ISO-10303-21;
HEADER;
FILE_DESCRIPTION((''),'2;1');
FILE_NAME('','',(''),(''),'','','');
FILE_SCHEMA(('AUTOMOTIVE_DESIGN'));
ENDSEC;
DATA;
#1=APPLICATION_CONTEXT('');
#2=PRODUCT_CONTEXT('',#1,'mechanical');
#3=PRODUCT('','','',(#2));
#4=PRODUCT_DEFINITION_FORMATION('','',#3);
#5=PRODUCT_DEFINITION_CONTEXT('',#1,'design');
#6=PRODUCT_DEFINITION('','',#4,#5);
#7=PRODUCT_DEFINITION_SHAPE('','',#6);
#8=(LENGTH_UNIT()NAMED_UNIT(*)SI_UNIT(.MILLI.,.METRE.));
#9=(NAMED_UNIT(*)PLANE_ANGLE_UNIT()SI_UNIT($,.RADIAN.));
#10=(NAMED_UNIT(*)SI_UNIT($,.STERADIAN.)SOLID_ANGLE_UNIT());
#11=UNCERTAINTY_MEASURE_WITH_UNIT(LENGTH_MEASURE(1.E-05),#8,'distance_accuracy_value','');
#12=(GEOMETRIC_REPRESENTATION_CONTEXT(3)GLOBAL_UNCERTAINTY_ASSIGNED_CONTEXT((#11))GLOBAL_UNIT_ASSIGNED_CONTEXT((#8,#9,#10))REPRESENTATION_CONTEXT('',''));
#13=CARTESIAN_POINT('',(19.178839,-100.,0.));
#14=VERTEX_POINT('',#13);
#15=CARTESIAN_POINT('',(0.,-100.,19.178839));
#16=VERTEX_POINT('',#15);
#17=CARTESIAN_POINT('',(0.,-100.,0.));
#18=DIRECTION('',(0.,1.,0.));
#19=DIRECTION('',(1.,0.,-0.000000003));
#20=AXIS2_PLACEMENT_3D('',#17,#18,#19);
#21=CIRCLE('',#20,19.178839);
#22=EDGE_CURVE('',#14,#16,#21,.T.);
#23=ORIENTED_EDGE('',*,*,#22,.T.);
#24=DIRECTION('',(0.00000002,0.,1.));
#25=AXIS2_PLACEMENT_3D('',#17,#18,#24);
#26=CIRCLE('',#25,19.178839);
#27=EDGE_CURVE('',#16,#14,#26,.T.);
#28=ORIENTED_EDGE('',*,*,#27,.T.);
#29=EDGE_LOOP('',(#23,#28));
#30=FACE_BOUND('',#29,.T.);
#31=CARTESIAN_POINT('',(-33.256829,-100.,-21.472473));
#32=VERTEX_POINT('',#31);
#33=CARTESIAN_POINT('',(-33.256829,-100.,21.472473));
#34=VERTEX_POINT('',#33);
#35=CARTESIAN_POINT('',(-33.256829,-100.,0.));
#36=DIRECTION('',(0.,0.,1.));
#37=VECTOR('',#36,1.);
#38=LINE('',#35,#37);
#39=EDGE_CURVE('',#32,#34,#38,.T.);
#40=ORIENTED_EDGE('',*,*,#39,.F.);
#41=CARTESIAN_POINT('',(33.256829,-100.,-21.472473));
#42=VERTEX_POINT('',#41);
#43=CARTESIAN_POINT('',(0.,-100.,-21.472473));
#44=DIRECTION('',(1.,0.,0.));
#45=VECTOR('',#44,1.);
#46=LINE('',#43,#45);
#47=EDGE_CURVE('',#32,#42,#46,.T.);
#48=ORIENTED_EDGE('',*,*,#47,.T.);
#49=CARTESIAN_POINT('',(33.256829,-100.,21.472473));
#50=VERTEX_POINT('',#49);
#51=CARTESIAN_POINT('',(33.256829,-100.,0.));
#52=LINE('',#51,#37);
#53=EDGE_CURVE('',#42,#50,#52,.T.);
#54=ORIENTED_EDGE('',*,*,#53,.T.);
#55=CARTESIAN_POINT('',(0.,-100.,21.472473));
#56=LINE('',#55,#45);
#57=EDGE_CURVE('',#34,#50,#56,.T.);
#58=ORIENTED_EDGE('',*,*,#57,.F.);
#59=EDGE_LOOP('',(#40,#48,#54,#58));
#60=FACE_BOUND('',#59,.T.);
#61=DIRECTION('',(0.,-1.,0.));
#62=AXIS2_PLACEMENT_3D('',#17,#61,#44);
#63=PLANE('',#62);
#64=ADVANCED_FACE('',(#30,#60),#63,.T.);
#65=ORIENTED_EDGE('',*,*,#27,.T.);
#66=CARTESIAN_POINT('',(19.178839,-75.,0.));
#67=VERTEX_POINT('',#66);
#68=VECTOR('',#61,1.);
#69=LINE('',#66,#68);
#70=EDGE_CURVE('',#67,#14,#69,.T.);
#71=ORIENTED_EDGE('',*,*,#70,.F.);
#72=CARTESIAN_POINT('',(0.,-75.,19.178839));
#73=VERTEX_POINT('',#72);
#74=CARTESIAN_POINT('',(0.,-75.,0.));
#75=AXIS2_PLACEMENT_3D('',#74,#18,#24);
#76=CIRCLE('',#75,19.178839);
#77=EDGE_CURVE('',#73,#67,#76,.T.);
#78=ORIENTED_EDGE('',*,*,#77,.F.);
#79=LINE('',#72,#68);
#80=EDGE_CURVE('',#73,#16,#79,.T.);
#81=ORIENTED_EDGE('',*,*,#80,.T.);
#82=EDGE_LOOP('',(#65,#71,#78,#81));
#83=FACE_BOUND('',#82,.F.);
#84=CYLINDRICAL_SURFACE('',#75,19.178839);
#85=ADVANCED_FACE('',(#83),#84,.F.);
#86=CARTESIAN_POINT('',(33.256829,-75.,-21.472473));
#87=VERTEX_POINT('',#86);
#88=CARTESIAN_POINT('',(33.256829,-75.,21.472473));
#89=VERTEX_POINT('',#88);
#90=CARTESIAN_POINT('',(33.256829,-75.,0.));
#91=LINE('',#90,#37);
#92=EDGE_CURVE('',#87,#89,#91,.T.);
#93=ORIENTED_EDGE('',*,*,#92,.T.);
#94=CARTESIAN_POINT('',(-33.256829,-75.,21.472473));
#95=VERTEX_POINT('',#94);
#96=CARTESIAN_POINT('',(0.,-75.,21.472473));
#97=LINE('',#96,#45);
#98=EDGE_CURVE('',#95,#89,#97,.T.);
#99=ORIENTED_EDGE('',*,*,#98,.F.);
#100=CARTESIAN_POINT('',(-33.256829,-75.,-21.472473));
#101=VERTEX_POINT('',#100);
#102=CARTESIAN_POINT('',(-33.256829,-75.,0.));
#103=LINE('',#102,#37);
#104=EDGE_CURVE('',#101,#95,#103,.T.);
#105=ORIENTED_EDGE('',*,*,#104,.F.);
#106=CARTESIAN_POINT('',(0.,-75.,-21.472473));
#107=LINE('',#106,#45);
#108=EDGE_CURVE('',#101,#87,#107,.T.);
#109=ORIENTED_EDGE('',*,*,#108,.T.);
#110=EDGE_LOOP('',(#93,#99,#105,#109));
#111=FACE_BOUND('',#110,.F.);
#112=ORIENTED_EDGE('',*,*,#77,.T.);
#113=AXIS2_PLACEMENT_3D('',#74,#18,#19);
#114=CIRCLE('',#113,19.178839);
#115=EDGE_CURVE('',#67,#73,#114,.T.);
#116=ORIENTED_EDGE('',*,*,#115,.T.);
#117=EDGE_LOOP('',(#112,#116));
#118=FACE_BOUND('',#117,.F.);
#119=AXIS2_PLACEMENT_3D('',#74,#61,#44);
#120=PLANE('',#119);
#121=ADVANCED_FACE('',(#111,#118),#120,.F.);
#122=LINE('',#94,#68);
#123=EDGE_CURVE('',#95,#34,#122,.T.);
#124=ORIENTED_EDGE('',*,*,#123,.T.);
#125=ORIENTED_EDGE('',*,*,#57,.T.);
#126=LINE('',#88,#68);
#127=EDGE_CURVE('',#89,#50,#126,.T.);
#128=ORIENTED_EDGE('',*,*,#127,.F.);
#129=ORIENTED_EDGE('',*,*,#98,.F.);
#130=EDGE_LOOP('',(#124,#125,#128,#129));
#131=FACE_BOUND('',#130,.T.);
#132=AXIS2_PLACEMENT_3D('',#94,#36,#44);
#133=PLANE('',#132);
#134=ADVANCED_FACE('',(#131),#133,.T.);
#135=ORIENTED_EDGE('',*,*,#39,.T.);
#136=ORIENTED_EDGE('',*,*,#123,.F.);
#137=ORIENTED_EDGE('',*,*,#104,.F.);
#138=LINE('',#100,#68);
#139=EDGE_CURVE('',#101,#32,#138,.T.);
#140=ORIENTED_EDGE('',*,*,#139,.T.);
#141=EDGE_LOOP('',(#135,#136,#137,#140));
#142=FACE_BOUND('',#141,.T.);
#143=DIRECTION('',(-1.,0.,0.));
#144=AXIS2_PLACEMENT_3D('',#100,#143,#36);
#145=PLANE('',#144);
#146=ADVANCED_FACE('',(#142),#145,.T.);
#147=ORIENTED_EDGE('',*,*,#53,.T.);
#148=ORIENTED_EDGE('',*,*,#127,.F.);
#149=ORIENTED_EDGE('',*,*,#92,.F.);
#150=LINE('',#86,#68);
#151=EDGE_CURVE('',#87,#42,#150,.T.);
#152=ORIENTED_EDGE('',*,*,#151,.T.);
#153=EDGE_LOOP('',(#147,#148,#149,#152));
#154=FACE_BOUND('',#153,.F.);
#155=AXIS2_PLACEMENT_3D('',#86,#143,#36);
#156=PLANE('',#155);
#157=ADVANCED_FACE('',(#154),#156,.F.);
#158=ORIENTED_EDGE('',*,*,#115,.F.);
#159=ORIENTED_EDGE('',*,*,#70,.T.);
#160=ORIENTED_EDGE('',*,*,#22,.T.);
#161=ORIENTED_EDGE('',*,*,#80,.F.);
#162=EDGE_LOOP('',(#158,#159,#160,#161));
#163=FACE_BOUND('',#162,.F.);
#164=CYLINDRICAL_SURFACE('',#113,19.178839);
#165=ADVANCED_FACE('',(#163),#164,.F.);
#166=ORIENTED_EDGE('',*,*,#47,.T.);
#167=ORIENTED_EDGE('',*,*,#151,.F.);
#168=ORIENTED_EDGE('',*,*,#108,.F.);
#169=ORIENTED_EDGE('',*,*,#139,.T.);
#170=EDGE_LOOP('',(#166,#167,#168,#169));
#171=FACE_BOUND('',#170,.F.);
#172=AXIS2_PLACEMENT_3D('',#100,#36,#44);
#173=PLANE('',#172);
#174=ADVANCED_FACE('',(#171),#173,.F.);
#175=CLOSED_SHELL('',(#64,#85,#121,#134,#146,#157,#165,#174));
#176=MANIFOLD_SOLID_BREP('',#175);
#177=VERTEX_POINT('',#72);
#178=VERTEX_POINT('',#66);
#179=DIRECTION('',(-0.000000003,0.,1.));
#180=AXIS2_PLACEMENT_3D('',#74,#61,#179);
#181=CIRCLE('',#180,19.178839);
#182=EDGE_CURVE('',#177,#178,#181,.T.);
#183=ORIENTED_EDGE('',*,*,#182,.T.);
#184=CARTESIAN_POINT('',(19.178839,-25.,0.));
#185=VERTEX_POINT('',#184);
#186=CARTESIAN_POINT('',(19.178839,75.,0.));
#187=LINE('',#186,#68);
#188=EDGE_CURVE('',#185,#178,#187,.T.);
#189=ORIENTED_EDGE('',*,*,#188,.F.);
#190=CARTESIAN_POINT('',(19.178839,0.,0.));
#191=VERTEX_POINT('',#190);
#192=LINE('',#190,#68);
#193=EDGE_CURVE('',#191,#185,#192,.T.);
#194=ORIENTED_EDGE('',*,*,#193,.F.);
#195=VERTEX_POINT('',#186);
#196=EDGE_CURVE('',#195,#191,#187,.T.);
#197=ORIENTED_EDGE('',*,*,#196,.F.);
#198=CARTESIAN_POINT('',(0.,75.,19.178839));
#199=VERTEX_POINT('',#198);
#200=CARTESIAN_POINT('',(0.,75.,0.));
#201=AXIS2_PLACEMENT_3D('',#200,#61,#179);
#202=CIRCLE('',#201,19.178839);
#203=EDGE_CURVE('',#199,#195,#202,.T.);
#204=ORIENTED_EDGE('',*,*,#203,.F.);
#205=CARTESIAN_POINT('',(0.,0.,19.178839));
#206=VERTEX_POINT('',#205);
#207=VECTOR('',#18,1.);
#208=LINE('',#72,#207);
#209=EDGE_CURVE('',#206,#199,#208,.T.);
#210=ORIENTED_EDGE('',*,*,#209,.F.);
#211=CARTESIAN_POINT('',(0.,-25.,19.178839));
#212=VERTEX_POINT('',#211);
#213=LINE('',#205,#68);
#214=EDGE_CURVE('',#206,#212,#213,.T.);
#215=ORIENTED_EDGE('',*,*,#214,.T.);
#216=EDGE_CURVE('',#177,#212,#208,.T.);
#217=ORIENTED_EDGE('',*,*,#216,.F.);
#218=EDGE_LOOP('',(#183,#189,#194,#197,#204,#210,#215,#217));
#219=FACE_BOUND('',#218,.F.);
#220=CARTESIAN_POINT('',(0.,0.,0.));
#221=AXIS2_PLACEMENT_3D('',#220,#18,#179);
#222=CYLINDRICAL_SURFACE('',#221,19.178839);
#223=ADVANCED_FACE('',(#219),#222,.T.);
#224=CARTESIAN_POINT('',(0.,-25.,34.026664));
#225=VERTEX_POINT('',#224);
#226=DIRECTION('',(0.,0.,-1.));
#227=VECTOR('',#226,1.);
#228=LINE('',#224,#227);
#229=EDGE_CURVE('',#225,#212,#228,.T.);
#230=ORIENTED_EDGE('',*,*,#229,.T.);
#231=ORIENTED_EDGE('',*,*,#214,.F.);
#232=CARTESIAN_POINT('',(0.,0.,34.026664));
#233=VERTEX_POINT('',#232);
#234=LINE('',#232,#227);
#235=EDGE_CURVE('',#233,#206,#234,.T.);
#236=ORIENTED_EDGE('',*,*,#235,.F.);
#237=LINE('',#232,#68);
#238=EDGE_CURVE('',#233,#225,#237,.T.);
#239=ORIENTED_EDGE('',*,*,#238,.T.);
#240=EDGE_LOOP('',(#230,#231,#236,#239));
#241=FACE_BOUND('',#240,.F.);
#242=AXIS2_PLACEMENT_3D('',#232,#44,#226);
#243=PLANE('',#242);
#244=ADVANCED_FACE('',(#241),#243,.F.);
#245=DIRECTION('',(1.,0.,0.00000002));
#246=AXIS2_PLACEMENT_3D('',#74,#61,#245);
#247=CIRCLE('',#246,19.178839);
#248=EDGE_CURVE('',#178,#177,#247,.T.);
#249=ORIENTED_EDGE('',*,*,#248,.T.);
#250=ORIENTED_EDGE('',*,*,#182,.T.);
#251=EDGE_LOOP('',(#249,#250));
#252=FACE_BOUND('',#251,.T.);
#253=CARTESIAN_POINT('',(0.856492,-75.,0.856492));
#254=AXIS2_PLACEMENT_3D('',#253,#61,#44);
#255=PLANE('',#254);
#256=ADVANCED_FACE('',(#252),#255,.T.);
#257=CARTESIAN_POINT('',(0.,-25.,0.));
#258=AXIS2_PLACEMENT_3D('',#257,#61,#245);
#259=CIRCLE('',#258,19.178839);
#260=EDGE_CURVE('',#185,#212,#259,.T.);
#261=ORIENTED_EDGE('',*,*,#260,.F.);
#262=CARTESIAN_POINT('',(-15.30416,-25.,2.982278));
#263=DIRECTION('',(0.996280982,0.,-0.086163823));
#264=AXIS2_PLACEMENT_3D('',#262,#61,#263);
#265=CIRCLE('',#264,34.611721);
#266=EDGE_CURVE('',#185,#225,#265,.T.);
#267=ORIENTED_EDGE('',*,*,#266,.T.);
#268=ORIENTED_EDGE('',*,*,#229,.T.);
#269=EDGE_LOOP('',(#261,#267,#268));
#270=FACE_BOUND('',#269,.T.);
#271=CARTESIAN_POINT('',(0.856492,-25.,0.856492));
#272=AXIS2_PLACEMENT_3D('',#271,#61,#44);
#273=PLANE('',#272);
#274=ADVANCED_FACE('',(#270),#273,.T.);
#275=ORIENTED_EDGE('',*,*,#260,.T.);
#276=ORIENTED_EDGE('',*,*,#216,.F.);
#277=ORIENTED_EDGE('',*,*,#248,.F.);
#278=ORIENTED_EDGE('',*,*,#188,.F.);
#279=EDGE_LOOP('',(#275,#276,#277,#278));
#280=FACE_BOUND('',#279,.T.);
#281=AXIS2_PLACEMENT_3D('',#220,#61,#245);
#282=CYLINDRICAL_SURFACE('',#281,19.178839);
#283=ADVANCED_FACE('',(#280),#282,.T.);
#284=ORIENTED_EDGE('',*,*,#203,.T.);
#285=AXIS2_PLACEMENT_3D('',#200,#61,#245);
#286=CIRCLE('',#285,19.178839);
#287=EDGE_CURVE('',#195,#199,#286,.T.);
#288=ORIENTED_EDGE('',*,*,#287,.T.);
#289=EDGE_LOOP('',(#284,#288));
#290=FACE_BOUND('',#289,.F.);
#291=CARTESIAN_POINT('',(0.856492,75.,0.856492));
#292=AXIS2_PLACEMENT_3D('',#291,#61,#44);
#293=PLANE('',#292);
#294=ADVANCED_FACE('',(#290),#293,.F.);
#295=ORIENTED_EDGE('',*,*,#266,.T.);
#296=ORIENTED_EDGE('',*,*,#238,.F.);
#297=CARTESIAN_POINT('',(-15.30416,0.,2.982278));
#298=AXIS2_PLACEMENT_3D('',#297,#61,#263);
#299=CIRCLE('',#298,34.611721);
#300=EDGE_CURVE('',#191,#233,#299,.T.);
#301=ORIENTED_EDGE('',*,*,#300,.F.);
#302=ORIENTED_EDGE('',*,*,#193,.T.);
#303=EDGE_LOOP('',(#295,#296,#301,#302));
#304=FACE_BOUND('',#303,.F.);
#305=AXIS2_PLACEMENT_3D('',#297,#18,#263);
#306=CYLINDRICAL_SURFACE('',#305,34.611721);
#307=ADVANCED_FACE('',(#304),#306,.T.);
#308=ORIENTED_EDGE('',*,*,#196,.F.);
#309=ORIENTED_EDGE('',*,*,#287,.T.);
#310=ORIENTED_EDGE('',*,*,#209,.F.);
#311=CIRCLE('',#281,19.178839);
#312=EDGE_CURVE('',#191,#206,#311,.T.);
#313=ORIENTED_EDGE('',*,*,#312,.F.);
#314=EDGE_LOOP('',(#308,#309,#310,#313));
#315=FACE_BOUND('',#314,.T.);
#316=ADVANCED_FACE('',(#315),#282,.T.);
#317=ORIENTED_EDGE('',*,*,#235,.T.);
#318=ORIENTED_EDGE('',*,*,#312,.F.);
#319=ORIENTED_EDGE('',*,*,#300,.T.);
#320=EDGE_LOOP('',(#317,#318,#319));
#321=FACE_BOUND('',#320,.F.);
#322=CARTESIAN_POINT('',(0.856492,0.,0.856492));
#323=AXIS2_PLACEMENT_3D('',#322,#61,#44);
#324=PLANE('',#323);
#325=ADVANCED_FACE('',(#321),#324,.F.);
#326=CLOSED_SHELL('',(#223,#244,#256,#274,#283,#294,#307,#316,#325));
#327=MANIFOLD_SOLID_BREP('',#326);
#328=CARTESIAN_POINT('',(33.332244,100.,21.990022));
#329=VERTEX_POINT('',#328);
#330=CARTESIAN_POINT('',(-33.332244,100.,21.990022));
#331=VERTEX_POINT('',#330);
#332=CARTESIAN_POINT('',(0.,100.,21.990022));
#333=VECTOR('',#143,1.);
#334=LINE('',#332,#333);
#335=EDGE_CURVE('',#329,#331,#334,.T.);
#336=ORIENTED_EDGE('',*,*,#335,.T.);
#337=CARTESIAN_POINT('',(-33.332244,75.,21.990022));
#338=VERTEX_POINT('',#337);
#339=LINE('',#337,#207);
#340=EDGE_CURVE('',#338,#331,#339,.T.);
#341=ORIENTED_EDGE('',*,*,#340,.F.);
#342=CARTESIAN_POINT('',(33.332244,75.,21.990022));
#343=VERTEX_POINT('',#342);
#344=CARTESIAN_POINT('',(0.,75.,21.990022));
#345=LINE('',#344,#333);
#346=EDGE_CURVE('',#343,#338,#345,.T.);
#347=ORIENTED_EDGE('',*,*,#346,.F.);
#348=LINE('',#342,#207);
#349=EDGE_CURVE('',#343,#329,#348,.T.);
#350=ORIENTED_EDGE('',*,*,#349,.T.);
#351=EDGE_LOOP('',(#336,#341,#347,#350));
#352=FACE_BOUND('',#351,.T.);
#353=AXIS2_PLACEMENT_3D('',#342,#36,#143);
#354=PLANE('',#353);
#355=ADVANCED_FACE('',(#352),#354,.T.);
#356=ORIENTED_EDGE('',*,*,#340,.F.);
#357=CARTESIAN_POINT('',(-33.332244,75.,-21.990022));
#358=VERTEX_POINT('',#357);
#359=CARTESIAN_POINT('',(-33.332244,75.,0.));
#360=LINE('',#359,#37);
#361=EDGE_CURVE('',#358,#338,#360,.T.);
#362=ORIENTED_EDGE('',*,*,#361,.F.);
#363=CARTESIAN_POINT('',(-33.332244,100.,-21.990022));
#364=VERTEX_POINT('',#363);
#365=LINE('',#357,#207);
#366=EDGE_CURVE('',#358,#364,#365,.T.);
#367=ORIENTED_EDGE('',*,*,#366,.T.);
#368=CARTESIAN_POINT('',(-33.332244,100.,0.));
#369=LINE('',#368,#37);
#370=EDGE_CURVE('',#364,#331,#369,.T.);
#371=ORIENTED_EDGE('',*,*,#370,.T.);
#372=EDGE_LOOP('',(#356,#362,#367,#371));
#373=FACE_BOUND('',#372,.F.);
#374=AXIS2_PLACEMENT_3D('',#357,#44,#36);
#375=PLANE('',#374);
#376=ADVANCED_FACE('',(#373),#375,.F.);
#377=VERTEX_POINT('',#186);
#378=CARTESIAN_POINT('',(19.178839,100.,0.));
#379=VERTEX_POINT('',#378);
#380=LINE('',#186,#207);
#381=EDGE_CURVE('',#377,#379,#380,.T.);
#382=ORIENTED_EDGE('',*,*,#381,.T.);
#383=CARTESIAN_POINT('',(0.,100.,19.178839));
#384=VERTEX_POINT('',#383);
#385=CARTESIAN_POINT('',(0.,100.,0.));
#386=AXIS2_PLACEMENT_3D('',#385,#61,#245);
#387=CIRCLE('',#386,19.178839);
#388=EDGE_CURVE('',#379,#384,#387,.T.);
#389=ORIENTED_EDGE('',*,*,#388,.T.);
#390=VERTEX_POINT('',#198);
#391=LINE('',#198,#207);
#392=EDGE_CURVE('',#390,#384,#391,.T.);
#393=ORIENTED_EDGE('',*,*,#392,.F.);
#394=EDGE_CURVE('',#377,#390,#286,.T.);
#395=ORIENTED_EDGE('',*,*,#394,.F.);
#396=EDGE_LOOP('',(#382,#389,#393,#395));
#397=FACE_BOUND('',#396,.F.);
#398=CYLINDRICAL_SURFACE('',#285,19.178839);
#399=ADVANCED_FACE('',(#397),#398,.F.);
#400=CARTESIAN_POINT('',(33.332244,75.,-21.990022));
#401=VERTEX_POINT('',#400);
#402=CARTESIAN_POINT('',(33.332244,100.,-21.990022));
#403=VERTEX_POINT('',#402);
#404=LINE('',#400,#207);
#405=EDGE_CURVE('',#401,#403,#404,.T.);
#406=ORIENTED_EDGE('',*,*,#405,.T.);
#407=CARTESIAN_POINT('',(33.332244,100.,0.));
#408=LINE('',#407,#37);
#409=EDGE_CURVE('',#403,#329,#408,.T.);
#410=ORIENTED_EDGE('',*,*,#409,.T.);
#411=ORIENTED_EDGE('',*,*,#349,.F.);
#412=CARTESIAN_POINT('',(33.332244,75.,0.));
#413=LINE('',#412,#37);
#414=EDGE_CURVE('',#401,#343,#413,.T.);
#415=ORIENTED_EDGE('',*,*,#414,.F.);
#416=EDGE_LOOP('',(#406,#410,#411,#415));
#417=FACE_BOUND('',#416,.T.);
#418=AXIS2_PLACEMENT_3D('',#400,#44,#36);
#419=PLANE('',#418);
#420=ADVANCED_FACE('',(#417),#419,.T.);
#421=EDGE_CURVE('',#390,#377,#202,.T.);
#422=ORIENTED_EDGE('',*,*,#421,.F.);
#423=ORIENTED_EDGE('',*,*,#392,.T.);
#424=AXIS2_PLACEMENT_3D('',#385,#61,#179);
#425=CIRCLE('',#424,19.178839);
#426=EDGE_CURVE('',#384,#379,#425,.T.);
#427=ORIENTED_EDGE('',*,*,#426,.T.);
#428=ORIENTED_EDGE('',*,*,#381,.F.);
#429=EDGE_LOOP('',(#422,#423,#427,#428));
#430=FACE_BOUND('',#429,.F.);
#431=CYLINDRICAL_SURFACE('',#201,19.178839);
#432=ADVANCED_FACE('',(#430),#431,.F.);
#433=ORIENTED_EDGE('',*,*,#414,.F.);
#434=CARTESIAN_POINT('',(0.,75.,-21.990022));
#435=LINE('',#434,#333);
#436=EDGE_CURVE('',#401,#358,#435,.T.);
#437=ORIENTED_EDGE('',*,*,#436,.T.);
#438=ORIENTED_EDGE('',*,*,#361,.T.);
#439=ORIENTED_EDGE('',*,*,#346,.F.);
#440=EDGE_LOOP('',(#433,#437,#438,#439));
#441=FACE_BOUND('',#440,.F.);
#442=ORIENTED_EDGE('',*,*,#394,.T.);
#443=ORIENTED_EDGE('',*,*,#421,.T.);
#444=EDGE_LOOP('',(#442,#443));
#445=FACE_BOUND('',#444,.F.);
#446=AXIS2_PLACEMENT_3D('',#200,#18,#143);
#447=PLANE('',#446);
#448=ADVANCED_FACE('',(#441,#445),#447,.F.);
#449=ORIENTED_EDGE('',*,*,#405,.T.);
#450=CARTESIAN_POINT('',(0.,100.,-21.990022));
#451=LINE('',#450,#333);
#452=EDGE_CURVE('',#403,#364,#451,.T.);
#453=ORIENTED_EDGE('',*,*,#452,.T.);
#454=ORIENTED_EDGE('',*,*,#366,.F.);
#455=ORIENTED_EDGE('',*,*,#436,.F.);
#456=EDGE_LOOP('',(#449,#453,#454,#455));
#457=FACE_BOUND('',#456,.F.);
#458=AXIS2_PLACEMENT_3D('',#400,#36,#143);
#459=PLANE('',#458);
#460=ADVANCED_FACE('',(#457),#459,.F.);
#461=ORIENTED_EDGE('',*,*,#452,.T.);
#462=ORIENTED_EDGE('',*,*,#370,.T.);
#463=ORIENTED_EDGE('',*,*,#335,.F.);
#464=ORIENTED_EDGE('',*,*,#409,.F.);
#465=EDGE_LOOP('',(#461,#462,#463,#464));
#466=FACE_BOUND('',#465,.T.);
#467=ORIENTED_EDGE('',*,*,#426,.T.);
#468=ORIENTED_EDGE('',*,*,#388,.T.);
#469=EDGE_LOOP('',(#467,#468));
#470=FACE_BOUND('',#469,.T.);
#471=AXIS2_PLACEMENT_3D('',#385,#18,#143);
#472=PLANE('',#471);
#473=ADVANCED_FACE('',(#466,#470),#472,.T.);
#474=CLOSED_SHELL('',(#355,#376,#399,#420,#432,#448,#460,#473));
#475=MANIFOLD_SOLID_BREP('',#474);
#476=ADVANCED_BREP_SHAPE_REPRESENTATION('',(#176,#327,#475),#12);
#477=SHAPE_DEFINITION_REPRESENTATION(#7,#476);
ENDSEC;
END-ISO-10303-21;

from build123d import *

# Parameters (mm, degrees)
F1_DEPTH = 75
F2_DEPTH = 25
F3_W     = 66.513658
F3_H     = 42.944946
F4_DEPTH = 25
F5_W     = 66.664488
F5_H     = 43.980044
F6_DEPTH = 25


with BuildPart() as f1:
    # F0 (on Front) → F1 (new body, symmetric)
    with BuildSketch(Plane.XZ):
        with BuildLine():
            ThreePointArc((0, 19.178839), (-13.561487, -13.561487), (19.178839, 0))
            ThreePointArc((19.178839, 0), (13.561487, 13.561487), (0, 19.178839))
        make_face()
    extrude(amount=F1_DEPTH, both=True)

    # F0 (on Front) → F2 (join)
    with BuildSketch(Plane.XZ):
        with BuildLine():
            ThreePointArc((0, 19.178839), (-13.561487, -13.561487), (19.178839, 0))
            ThreePointArc((19.178839, 0), (13.561487, 13.561487), (0, 19.178839))
        make_face()
        with BuildLine():
            ThreePointArc((0, 19.178839), (13.561487, 13.561487), (19.178839, 0))
            ThreePointArc((19.178839, 0), (14.847851, 19.977202), (0, 34.026664))
            Line((0, 34.026664), (0, 19.178839))
        make_face()
    extrude(amount=F2_DEPTH)


with BuildPart() as f4:
    # F3 (on face) → F4 (new body)
    with BuildSketch(Plane.XZ.offset(75)):
        Rectangle(F3_W, F3_H)
        with BuildLine():
            ThreePointArc((0, 19.178839), (13.561487, 13.561487), (19.178839, 0))
            ThreePointArc((19.178839, 0), (-13.561487, -13.561487), (0, 19.178839))
        make_face(mode=Mode.SUBTRACT)
    extrude(amount=F4_DEPTH)


with BuildPart() as f6:
    # F5 (on face) → F6 (new body)
    with BuildSketch(Plane(origin=(0, 75, 0), x_dir=(-1, 0, 0), z_dir=(0, 1, 0))):
        Rectangle(F5_W, F5_H)
        with BuildLine():
            ThreePointArc((-19.178839, 0), (-13.561487, 13.561487), (0, 19.178839))
            ThreePointArc((0, 19.178839), (13.561487, -13.561487), (-19.178839, 0))
        make_face(mode=Mode.SUBTRACT)
    extrude(amount=F6_DEPTH)


solid = Compound([f1.part, f4.part, f6.part])
